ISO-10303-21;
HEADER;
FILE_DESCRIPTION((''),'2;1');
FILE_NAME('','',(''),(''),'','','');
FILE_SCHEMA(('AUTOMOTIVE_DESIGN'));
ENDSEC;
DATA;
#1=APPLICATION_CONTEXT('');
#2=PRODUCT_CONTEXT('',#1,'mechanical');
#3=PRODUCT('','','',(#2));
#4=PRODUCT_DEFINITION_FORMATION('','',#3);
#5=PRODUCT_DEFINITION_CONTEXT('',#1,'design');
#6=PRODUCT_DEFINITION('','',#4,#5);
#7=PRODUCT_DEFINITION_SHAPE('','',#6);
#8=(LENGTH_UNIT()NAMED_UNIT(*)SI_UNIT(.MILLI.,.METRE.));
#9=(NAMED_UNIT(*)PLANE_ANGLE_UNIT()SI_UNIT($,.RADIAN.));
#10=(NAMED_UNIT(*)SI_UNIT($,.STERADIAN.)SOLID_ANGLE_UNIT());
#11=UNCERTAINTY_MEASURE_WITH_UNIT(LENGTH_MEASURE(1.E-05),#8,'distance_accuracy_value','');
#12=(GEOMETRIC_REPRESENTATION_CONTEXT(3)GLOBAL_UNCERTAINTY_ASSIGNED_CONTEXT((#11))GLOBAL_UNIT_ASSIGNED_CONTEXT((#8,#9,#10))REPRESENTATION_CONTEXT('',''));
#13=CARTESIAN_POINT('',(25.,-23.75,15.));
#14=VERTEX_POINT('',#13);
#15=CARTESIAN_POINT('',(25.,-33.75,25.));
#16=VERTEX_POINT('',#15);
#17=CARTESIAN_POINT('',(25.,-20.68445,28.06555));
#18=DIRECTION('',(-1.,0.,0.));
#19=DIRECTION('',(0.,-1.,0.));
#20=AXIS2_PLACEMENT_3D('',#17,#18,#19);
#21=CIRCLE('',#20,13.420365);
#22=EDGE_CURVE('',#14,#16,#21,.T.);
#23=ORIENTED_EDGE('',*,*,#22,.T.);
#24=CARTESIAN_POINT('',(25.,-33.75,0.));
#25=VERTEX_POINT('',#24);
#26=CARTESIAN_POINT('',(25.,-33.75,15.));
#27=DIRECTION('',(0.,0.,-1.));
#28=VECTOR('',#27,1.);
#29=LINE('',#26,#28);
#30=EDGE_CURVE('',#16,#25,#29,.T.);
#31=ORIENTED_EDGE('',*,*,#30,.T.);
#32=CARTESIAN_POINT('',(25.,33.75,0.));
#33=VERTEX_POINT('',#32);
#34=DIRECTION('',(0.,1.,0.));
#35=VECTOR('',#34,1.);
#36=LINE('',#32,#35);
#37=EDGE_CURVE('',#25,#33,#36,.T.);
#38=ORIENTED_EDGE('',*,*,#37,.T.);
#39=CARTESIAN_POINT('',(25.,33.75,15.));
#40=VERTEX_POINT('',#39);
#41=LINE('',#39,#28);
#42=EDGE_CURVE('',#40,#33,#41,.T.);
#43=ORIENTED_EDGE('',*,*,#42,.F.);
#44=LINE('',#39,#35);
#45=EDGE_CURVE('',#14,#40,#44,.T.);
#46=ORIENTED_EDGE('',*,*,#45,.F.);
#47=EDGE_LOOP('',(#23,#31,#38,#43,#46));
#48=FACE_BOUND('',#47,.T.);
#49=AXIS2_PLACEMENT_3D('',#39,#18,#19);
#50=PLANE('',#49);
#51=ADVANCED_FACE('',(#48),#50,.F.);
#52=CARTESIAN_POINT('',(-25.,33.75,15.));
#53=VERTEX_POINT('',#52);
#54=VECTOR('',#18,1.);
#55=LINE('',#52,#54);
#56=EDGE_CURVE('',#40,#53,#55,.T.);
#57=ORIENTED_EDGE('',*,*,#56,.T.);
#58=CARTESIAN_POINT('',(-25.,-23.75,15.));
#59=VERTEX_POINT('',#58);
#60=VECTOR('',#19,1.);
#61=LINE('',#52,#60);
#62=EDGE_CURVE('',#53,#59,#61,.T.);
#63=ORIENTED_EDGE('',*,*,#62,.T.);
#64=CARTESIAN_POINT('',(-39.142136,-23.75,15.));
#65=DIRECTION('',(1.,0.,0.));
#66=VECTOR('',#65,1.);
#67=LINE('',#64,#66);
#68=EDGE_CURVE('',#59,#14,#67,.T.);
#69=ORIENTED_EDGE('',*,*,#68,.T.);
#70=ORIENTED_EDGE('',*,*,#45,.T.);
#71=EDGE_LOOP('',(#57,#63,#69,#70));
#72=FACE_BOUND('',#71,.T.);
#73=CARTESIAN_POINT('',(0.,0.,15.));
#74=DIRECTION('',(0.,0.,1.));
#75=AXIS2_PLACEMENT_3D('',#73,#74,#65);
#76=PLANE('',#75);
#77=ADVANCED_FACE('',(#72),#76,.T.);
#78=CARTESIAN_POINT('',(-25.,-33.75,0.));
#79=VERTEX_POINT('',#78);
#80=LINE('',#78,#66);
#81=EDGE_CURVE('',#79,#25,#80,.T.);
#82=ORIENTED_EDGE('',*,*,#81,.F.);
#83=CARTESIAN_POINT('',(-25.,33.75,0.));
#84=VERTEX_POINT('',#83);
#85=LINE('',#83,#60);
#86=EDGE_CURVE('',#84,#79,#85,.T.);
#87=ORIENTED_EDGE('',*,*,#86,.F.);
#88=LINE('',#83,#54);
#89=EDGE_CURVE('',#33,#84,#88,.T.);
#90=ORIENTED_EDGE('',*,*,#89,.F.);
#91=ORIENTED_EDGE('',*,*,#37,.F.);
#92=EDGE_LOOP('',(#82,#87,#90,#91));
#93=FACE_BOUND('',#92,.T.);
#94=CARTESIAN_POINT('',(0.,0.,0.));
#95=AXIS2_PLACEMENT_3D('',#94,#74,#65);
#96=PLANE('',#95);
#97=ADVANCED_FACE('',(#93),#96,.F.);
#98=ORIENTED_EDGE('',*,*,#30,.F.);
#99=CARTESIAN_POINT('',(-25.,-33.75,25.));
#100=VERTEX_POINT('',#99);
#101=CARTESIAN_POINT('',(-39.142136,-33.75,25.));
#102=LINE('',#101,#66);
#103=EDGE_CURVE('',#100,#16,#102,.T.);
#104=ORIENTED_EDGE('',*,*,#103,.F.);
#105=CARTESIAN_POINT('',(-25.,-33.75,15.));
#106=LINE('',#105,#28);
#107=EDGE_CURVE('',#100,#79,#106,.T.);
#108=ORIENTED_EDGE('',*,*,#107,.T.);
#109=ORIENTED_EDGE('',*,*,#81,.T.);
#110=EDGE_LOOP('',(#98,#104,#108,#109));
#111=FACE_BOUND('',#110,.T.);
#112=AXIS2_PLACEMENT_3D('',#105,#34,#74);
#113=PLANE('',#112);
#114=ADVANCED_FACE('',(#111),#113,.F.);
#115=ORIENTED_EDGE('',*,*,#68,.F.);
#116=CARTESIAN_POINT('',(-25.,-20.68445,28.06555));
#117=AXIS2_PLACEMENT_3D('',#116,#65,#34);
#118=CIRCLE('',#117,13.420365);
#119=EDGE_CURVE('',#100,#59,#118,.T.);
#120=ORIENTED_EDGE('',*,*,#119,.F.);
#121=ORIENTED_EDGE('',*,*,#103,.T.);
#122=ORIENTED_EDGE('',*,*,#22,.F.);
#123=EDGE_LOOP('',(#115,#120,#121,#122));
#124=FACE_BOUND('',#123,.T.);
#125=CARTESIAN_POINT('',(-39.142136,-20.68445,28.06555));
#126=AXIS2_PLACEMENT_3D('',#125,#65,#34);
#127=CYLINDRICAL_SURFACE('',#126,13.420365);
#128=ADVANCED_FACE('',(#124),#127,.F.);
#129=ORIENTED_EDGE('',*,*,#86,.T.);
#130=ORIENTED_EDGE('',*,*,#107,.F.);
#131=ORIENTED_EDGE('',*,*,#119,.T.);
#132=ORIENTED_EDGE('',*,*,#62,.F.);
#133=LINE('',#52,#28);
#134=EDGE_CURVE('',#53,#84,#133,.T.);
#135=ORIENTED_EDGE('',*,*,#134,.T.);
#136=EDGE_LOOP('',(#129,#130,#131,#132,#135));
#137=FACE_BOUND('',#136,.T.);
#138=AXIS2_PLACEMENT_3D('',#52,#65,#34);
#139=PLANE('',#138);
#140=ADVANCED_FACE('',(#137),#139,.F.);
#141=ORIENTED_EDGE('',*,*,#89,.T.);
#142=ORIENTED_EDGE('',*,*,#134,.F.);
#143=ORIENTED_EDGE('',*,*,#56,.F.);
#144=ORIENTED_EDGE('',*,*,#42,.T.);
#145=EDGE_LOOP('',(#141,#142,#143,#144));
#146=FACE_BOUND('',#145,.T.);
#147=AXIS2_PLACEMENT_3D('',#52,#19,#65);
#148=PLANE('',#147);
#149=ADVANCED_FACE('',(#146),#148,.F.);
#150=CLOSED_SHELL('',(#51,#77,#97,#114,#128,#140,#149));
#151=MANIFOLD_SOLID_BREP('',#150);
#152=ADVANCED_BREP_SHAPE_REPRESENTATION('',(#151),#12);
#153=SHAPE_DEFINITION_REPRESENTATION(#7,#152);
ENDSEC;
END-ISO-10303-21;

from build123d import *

# Parameters (mm, degrees)
SKETCH_1_W      = 50
SKETCH_1_H      = 67.5
EXTRUDE_1_DEPTH = 15
EXTRUDE_2_DEPTH = 50


with BuildPart() as part:
    # 草图1 → 凸台-拉伸1 (new body)
    with BuildSketch(Plane.XY):
        Rectangle(SKETCH_1_W, SKETCH_1_H)
    extrude(amount=EXTRUDE_1_DEPTH)

    # 草图5 → 凸台-拉伸2 (add)
    with BuildSketch(Plane(origin=(25, 0, 0), x_dir=(0, 0, -1), z_dir=(1, 0, 0))):
        with BuildLine():
            Line((-15, -33.75), (-25, -33.75))
            ThreePointArc((-25, -33.75), (-18.575918968, -30.174081032), (-15, -23.75))
            Line((-15, -23.75), (-15, -33.75))
        make_face()
    extrude(amount=-EXTRUDE_2_DEPTH)


solid = part.part
